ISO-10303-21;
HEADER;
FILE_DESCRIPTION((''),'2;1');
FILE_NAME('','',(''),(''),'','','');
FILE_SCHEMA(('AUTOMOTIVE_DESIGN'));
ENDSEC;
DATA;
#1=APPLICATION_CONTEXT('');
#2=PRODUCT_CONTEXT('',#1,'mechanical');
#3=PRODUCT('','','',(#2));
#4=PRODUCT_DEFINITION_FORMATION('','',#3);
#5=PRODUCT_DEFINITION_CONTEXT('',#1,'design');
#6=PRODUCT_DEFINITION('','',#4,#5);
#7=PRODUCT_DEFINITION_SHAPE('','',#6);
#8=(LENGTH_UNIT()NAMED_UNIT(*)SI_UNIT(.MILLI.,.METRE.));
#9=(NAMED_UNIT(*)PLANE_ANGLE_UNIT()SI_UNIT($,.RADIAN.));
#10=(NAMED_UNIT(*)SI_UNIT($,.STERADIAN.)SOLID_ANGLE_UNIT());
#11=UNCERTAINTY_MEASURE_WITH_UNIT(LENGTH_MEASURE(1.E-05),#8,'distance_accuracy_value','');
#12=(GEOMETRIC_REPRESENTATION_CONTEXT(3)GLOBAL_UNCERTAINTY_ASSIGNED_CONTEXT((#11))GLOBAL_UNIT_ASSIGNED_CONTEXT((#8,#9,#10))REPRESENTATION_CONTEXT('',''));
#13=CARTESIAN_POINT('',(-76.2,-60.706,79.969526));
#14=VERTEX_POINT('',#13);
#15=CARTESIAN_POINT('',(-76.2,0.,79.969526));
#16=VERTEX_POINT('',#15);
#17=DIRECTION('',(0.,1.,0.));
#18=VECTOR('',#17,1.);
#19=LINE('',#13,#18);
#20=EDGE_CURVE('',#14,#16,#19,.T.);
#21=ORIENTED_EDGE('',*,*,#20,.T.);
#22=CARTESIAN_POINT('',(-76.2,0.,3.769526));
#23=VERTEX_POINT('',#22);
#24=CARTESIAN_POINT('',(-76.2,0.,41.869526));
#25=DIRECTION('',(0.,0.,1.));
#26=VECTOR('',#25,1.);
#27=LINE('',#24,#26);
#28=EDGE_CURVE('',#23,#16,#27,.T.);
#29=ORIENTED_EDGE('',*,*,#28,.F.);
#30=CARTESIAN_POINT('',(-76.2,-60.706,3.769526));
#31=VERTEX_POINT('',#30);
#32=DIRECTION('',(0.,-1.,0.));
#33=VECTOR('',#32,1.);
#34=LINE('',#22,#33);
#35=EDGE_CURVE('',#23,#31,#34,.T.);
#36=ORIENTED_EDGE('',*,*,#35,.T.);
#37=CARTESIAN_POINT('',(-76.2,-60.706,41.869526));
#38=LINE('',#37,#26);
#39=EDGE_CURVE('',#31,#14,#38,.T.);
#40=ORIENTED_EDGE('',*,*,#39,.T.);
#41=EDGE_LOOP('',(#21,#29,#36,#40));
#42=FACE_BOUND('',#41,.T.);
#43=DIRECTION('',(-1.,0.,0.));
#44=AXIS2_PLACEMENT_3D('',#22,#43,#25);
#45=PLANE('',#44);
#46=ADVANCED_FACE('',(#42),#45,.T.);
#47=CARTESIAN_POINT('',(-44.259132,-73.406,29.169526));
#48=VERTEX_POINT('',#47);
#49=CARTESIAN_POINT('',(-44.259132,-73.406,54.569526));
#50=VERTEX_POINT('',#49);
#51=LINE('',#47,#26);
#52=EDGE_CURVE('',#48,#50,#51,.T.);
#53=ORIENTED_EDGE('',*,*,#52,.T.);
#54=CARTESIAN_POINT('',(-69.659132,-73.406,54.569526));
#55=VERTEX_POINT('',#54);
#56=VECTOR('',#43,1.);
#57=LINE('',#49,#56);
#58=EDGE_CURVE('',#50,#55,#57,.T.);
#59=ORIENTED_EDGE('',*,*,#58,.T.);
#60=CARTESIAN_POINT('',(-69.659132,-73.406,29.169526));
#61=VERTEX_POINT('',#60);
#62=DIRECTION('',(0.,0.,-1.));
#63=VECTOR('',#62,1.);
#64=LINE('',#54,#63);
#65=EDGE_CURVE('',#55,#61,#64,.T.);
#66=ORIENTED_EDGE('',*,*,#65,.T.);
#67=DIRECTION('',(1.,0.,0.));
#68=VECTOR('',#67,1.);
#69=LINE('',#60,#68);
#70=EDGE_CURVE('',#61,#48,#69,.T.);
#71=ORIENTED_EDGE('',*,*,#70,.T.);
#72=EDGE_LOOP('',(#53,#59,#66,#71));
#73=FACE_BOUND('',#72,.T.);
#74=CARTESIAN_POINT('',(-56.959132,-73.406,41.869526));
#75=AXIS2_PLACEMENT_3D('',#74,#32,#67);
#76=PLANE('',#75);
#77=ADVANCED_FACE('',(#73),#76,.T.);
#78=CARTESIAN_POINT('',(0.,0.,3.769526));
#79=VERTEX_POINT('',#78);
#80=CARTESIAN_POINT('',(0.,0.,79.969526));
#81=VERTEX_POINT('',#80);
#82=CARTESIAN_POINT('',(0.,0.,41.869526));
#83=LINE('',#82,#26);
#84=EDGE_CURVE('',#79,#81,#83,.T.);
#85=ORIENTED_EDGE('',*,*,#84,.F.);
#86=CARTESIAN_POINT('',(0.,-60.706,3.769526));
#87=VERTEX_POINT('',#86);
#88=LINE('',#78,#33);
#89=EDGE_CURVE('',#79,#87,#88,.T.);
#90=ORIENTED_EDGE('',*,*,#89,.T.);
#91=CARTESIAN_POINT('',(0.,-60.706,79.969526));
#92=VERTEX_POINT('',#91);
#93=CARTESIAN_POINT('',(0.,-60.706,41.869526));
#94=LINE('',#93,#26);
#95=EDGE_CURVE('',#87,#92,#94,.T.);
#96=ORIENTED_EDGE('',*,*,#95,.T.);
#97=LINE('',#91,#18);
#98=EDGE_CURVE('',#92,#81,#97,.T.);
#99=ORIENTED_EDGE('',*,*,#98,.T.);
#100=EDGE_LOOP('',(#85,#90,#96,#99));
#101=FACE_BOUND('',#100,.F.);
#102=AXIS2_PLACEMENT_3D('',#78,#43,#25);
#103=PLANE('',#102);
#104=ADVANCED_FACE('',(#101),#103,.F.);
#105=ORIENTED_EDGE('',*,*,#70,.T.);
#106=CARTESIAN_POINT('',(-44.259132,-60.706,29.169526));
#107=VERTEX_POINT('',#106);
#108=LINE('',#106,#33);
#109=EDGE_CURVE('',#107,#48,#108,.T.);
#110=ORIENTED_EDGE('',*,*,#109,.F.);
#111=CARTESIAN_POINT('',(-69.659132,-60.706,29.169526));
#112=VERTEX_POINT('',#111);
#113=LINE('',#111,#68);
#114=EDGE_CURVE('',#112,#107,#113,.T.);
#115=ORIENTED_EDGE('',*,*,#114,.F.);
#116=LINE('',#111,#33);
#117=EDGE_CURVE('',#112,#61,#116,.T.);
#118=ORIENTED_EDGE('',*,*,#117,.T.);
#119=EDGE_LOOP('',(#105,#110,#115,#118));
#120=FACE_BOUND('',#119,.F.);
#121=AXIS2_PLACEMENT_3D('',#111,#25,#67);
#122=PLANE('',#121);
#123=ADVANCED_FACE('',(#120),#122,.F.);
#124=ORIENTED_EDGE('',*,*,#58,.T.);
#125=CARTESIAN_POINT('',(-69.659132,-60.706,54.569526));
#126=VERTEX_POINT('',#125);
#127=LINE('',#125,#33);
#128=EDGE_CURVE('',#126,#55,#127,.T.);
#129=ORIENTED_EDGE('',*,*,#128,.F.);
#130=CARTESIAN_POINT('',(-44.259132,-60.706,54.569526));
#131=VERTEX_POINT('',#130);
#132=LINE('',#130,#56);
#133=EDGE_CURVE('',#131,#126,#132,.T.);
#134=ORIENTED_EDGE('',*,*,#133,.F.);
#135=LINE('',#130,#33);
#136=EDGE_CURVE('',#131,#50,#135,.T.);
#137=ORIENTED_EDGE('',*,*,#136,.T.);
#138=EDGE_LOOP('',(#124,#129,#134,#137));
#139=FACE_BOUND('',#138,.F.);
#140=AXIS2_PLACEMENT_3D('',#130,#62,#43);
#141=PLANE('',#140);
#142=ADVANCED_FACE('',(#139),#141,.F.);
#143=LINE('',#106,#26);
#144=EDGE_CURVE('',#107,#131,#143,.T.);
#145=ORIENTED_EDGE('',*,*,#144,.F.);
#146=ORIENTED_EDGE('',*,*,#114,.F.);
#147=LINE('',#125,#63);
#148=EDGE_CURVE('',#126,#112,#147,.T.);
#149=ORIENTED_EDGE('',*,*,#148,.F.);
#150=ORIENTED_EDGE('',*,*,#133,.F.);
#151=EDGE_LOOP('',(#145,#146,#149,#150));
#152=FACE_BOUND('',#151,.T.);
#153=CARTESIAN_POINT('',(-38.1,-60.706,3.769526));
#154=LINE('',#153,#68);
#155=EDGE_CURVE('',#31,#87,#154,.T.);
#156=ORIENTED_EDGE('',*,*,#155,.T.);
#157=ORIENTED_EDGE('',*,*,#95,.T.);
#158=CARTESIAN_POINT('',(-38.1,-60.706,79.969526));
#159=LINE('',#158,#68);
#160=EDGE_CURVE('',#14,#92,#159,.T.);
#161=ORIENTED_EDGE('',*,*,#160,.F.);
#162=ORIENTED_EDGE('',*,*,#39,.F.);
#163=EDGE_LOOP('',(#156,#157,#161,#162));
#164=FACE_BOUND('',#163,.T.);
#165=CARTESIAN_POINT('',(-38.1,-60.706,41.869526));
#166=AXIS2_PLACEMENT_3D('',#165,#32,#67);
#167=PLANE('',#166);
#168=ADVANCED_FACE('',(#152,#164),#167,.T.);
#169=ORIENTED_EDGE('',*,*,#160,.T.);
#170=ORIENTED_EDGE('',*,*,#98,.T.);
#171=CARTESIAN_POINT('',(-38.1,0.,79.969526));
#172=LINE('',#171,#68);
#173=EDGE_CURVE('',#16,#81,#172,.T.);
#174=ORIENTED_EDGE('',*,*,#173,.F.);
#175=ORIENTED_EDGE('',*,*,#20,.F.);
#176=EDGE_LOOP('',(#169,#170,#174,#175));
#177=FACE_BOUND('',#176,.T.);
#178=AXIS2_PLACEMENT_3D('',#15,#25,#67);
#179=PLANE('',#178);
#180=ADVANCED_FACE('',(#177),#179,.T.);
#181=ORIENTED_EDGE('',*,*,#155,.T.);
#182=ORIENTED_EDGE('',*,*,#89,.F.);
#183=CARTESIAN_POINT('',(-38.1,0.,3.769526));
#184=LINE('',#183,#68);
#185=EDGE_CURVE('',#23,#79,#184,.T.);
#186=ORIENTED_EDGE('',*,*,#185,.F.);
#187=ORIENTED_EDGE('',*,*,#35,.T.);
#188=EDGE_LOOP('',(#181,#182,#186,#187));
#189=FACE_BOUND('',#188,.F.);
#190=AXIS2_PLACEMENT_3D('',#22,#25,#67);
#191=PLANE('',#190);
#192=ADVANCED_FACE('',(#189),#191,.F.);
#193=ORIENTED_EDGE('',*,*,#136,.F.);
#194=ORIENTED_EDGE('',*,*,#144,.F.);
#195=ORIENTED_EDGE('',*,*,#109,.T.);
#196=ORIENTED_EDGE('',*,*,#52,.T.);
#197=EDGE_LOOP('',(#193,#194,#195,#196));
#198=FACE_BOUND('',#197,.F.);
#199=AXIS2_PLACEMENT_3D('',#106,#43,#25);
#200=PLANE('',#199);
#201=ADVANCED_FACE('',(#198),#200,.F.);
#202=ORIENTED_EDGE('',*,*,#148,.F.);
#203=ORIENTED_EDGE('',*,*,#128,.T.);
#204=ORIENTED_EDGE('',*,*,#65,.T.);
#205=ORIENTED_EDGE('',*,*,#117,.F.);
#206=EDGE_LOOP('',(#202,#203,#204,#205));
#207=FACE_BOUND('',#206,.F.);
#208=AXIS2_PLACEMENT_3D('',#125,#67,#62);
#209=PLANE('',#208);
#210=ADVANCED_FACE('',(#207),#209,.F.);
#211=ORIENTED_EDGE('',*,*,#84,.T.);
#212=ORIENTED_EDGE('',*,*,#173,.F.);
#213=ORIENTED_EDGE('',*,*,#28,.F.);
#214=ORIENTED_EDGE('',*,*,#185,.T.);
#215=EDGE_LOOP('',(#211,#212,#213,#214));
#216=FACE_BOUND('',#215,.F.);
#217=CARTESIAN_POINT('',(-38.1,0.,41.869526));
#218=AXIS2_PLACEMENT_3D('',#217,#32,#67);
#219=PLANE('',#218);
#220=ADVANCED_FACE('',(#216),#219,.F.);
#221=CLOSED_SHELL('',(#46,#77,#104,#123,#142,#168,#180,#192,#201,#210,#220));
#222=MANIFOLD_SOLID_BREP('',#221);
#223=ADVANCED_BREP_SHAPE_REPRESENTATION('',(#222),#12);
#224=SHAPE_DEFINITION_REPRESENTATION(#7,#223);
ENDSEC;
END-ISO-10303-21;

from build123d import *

# Parameters (mm, degrees)
F0_W      = 76.2
F0_H      = 76.2
F1_DEPTH  = 25.4
F1_FACE_W = 76.2
F1_FACE_H = 76.2
F2_DEPTH  = 35.306
F4_DEPTH  = 12.7


with BuildPart() as f1:
    # F0 (on Front) → F1 (new body)
    with BuildSketch(Plane.XZ):
        with Locations((-38.1, 41.869526)):
            Rectangle(F0_W, F0_H)
    extrude(amount=F1_DEPTH)

    # F0 (on Front) + F1_face (on face) → F2 (join)
    with BuildSketch(Plane.XZ):
        with Locations((-38.1, 41.869526)):
            Rectangle(F0_W, F0_H)
    with BuildSketch(Plane(origin=(-38.1, -25.4, 41.869526), x_dir=(1, 0, 0), z_dir=(0, -1, 0))):
        Rectangle(F1_FACE_W, F1_FACE_H)
    extrude(amount=F2_DEPTH)

    # F3 (on face) → F4 (join)
    with BuildSketch(Plane.XZ.offset(60.706)):
        Polygon((-44.259132, 29.169526), (-44.259132, 54.569526), (-56.959132, 54.569526), (-60.402479, 54.569526), (-69.659132, 54.569526), (-69.659132, 29.169526), align=None)
    extrude(amount=F4_DEPTH)


solid = f1.part
